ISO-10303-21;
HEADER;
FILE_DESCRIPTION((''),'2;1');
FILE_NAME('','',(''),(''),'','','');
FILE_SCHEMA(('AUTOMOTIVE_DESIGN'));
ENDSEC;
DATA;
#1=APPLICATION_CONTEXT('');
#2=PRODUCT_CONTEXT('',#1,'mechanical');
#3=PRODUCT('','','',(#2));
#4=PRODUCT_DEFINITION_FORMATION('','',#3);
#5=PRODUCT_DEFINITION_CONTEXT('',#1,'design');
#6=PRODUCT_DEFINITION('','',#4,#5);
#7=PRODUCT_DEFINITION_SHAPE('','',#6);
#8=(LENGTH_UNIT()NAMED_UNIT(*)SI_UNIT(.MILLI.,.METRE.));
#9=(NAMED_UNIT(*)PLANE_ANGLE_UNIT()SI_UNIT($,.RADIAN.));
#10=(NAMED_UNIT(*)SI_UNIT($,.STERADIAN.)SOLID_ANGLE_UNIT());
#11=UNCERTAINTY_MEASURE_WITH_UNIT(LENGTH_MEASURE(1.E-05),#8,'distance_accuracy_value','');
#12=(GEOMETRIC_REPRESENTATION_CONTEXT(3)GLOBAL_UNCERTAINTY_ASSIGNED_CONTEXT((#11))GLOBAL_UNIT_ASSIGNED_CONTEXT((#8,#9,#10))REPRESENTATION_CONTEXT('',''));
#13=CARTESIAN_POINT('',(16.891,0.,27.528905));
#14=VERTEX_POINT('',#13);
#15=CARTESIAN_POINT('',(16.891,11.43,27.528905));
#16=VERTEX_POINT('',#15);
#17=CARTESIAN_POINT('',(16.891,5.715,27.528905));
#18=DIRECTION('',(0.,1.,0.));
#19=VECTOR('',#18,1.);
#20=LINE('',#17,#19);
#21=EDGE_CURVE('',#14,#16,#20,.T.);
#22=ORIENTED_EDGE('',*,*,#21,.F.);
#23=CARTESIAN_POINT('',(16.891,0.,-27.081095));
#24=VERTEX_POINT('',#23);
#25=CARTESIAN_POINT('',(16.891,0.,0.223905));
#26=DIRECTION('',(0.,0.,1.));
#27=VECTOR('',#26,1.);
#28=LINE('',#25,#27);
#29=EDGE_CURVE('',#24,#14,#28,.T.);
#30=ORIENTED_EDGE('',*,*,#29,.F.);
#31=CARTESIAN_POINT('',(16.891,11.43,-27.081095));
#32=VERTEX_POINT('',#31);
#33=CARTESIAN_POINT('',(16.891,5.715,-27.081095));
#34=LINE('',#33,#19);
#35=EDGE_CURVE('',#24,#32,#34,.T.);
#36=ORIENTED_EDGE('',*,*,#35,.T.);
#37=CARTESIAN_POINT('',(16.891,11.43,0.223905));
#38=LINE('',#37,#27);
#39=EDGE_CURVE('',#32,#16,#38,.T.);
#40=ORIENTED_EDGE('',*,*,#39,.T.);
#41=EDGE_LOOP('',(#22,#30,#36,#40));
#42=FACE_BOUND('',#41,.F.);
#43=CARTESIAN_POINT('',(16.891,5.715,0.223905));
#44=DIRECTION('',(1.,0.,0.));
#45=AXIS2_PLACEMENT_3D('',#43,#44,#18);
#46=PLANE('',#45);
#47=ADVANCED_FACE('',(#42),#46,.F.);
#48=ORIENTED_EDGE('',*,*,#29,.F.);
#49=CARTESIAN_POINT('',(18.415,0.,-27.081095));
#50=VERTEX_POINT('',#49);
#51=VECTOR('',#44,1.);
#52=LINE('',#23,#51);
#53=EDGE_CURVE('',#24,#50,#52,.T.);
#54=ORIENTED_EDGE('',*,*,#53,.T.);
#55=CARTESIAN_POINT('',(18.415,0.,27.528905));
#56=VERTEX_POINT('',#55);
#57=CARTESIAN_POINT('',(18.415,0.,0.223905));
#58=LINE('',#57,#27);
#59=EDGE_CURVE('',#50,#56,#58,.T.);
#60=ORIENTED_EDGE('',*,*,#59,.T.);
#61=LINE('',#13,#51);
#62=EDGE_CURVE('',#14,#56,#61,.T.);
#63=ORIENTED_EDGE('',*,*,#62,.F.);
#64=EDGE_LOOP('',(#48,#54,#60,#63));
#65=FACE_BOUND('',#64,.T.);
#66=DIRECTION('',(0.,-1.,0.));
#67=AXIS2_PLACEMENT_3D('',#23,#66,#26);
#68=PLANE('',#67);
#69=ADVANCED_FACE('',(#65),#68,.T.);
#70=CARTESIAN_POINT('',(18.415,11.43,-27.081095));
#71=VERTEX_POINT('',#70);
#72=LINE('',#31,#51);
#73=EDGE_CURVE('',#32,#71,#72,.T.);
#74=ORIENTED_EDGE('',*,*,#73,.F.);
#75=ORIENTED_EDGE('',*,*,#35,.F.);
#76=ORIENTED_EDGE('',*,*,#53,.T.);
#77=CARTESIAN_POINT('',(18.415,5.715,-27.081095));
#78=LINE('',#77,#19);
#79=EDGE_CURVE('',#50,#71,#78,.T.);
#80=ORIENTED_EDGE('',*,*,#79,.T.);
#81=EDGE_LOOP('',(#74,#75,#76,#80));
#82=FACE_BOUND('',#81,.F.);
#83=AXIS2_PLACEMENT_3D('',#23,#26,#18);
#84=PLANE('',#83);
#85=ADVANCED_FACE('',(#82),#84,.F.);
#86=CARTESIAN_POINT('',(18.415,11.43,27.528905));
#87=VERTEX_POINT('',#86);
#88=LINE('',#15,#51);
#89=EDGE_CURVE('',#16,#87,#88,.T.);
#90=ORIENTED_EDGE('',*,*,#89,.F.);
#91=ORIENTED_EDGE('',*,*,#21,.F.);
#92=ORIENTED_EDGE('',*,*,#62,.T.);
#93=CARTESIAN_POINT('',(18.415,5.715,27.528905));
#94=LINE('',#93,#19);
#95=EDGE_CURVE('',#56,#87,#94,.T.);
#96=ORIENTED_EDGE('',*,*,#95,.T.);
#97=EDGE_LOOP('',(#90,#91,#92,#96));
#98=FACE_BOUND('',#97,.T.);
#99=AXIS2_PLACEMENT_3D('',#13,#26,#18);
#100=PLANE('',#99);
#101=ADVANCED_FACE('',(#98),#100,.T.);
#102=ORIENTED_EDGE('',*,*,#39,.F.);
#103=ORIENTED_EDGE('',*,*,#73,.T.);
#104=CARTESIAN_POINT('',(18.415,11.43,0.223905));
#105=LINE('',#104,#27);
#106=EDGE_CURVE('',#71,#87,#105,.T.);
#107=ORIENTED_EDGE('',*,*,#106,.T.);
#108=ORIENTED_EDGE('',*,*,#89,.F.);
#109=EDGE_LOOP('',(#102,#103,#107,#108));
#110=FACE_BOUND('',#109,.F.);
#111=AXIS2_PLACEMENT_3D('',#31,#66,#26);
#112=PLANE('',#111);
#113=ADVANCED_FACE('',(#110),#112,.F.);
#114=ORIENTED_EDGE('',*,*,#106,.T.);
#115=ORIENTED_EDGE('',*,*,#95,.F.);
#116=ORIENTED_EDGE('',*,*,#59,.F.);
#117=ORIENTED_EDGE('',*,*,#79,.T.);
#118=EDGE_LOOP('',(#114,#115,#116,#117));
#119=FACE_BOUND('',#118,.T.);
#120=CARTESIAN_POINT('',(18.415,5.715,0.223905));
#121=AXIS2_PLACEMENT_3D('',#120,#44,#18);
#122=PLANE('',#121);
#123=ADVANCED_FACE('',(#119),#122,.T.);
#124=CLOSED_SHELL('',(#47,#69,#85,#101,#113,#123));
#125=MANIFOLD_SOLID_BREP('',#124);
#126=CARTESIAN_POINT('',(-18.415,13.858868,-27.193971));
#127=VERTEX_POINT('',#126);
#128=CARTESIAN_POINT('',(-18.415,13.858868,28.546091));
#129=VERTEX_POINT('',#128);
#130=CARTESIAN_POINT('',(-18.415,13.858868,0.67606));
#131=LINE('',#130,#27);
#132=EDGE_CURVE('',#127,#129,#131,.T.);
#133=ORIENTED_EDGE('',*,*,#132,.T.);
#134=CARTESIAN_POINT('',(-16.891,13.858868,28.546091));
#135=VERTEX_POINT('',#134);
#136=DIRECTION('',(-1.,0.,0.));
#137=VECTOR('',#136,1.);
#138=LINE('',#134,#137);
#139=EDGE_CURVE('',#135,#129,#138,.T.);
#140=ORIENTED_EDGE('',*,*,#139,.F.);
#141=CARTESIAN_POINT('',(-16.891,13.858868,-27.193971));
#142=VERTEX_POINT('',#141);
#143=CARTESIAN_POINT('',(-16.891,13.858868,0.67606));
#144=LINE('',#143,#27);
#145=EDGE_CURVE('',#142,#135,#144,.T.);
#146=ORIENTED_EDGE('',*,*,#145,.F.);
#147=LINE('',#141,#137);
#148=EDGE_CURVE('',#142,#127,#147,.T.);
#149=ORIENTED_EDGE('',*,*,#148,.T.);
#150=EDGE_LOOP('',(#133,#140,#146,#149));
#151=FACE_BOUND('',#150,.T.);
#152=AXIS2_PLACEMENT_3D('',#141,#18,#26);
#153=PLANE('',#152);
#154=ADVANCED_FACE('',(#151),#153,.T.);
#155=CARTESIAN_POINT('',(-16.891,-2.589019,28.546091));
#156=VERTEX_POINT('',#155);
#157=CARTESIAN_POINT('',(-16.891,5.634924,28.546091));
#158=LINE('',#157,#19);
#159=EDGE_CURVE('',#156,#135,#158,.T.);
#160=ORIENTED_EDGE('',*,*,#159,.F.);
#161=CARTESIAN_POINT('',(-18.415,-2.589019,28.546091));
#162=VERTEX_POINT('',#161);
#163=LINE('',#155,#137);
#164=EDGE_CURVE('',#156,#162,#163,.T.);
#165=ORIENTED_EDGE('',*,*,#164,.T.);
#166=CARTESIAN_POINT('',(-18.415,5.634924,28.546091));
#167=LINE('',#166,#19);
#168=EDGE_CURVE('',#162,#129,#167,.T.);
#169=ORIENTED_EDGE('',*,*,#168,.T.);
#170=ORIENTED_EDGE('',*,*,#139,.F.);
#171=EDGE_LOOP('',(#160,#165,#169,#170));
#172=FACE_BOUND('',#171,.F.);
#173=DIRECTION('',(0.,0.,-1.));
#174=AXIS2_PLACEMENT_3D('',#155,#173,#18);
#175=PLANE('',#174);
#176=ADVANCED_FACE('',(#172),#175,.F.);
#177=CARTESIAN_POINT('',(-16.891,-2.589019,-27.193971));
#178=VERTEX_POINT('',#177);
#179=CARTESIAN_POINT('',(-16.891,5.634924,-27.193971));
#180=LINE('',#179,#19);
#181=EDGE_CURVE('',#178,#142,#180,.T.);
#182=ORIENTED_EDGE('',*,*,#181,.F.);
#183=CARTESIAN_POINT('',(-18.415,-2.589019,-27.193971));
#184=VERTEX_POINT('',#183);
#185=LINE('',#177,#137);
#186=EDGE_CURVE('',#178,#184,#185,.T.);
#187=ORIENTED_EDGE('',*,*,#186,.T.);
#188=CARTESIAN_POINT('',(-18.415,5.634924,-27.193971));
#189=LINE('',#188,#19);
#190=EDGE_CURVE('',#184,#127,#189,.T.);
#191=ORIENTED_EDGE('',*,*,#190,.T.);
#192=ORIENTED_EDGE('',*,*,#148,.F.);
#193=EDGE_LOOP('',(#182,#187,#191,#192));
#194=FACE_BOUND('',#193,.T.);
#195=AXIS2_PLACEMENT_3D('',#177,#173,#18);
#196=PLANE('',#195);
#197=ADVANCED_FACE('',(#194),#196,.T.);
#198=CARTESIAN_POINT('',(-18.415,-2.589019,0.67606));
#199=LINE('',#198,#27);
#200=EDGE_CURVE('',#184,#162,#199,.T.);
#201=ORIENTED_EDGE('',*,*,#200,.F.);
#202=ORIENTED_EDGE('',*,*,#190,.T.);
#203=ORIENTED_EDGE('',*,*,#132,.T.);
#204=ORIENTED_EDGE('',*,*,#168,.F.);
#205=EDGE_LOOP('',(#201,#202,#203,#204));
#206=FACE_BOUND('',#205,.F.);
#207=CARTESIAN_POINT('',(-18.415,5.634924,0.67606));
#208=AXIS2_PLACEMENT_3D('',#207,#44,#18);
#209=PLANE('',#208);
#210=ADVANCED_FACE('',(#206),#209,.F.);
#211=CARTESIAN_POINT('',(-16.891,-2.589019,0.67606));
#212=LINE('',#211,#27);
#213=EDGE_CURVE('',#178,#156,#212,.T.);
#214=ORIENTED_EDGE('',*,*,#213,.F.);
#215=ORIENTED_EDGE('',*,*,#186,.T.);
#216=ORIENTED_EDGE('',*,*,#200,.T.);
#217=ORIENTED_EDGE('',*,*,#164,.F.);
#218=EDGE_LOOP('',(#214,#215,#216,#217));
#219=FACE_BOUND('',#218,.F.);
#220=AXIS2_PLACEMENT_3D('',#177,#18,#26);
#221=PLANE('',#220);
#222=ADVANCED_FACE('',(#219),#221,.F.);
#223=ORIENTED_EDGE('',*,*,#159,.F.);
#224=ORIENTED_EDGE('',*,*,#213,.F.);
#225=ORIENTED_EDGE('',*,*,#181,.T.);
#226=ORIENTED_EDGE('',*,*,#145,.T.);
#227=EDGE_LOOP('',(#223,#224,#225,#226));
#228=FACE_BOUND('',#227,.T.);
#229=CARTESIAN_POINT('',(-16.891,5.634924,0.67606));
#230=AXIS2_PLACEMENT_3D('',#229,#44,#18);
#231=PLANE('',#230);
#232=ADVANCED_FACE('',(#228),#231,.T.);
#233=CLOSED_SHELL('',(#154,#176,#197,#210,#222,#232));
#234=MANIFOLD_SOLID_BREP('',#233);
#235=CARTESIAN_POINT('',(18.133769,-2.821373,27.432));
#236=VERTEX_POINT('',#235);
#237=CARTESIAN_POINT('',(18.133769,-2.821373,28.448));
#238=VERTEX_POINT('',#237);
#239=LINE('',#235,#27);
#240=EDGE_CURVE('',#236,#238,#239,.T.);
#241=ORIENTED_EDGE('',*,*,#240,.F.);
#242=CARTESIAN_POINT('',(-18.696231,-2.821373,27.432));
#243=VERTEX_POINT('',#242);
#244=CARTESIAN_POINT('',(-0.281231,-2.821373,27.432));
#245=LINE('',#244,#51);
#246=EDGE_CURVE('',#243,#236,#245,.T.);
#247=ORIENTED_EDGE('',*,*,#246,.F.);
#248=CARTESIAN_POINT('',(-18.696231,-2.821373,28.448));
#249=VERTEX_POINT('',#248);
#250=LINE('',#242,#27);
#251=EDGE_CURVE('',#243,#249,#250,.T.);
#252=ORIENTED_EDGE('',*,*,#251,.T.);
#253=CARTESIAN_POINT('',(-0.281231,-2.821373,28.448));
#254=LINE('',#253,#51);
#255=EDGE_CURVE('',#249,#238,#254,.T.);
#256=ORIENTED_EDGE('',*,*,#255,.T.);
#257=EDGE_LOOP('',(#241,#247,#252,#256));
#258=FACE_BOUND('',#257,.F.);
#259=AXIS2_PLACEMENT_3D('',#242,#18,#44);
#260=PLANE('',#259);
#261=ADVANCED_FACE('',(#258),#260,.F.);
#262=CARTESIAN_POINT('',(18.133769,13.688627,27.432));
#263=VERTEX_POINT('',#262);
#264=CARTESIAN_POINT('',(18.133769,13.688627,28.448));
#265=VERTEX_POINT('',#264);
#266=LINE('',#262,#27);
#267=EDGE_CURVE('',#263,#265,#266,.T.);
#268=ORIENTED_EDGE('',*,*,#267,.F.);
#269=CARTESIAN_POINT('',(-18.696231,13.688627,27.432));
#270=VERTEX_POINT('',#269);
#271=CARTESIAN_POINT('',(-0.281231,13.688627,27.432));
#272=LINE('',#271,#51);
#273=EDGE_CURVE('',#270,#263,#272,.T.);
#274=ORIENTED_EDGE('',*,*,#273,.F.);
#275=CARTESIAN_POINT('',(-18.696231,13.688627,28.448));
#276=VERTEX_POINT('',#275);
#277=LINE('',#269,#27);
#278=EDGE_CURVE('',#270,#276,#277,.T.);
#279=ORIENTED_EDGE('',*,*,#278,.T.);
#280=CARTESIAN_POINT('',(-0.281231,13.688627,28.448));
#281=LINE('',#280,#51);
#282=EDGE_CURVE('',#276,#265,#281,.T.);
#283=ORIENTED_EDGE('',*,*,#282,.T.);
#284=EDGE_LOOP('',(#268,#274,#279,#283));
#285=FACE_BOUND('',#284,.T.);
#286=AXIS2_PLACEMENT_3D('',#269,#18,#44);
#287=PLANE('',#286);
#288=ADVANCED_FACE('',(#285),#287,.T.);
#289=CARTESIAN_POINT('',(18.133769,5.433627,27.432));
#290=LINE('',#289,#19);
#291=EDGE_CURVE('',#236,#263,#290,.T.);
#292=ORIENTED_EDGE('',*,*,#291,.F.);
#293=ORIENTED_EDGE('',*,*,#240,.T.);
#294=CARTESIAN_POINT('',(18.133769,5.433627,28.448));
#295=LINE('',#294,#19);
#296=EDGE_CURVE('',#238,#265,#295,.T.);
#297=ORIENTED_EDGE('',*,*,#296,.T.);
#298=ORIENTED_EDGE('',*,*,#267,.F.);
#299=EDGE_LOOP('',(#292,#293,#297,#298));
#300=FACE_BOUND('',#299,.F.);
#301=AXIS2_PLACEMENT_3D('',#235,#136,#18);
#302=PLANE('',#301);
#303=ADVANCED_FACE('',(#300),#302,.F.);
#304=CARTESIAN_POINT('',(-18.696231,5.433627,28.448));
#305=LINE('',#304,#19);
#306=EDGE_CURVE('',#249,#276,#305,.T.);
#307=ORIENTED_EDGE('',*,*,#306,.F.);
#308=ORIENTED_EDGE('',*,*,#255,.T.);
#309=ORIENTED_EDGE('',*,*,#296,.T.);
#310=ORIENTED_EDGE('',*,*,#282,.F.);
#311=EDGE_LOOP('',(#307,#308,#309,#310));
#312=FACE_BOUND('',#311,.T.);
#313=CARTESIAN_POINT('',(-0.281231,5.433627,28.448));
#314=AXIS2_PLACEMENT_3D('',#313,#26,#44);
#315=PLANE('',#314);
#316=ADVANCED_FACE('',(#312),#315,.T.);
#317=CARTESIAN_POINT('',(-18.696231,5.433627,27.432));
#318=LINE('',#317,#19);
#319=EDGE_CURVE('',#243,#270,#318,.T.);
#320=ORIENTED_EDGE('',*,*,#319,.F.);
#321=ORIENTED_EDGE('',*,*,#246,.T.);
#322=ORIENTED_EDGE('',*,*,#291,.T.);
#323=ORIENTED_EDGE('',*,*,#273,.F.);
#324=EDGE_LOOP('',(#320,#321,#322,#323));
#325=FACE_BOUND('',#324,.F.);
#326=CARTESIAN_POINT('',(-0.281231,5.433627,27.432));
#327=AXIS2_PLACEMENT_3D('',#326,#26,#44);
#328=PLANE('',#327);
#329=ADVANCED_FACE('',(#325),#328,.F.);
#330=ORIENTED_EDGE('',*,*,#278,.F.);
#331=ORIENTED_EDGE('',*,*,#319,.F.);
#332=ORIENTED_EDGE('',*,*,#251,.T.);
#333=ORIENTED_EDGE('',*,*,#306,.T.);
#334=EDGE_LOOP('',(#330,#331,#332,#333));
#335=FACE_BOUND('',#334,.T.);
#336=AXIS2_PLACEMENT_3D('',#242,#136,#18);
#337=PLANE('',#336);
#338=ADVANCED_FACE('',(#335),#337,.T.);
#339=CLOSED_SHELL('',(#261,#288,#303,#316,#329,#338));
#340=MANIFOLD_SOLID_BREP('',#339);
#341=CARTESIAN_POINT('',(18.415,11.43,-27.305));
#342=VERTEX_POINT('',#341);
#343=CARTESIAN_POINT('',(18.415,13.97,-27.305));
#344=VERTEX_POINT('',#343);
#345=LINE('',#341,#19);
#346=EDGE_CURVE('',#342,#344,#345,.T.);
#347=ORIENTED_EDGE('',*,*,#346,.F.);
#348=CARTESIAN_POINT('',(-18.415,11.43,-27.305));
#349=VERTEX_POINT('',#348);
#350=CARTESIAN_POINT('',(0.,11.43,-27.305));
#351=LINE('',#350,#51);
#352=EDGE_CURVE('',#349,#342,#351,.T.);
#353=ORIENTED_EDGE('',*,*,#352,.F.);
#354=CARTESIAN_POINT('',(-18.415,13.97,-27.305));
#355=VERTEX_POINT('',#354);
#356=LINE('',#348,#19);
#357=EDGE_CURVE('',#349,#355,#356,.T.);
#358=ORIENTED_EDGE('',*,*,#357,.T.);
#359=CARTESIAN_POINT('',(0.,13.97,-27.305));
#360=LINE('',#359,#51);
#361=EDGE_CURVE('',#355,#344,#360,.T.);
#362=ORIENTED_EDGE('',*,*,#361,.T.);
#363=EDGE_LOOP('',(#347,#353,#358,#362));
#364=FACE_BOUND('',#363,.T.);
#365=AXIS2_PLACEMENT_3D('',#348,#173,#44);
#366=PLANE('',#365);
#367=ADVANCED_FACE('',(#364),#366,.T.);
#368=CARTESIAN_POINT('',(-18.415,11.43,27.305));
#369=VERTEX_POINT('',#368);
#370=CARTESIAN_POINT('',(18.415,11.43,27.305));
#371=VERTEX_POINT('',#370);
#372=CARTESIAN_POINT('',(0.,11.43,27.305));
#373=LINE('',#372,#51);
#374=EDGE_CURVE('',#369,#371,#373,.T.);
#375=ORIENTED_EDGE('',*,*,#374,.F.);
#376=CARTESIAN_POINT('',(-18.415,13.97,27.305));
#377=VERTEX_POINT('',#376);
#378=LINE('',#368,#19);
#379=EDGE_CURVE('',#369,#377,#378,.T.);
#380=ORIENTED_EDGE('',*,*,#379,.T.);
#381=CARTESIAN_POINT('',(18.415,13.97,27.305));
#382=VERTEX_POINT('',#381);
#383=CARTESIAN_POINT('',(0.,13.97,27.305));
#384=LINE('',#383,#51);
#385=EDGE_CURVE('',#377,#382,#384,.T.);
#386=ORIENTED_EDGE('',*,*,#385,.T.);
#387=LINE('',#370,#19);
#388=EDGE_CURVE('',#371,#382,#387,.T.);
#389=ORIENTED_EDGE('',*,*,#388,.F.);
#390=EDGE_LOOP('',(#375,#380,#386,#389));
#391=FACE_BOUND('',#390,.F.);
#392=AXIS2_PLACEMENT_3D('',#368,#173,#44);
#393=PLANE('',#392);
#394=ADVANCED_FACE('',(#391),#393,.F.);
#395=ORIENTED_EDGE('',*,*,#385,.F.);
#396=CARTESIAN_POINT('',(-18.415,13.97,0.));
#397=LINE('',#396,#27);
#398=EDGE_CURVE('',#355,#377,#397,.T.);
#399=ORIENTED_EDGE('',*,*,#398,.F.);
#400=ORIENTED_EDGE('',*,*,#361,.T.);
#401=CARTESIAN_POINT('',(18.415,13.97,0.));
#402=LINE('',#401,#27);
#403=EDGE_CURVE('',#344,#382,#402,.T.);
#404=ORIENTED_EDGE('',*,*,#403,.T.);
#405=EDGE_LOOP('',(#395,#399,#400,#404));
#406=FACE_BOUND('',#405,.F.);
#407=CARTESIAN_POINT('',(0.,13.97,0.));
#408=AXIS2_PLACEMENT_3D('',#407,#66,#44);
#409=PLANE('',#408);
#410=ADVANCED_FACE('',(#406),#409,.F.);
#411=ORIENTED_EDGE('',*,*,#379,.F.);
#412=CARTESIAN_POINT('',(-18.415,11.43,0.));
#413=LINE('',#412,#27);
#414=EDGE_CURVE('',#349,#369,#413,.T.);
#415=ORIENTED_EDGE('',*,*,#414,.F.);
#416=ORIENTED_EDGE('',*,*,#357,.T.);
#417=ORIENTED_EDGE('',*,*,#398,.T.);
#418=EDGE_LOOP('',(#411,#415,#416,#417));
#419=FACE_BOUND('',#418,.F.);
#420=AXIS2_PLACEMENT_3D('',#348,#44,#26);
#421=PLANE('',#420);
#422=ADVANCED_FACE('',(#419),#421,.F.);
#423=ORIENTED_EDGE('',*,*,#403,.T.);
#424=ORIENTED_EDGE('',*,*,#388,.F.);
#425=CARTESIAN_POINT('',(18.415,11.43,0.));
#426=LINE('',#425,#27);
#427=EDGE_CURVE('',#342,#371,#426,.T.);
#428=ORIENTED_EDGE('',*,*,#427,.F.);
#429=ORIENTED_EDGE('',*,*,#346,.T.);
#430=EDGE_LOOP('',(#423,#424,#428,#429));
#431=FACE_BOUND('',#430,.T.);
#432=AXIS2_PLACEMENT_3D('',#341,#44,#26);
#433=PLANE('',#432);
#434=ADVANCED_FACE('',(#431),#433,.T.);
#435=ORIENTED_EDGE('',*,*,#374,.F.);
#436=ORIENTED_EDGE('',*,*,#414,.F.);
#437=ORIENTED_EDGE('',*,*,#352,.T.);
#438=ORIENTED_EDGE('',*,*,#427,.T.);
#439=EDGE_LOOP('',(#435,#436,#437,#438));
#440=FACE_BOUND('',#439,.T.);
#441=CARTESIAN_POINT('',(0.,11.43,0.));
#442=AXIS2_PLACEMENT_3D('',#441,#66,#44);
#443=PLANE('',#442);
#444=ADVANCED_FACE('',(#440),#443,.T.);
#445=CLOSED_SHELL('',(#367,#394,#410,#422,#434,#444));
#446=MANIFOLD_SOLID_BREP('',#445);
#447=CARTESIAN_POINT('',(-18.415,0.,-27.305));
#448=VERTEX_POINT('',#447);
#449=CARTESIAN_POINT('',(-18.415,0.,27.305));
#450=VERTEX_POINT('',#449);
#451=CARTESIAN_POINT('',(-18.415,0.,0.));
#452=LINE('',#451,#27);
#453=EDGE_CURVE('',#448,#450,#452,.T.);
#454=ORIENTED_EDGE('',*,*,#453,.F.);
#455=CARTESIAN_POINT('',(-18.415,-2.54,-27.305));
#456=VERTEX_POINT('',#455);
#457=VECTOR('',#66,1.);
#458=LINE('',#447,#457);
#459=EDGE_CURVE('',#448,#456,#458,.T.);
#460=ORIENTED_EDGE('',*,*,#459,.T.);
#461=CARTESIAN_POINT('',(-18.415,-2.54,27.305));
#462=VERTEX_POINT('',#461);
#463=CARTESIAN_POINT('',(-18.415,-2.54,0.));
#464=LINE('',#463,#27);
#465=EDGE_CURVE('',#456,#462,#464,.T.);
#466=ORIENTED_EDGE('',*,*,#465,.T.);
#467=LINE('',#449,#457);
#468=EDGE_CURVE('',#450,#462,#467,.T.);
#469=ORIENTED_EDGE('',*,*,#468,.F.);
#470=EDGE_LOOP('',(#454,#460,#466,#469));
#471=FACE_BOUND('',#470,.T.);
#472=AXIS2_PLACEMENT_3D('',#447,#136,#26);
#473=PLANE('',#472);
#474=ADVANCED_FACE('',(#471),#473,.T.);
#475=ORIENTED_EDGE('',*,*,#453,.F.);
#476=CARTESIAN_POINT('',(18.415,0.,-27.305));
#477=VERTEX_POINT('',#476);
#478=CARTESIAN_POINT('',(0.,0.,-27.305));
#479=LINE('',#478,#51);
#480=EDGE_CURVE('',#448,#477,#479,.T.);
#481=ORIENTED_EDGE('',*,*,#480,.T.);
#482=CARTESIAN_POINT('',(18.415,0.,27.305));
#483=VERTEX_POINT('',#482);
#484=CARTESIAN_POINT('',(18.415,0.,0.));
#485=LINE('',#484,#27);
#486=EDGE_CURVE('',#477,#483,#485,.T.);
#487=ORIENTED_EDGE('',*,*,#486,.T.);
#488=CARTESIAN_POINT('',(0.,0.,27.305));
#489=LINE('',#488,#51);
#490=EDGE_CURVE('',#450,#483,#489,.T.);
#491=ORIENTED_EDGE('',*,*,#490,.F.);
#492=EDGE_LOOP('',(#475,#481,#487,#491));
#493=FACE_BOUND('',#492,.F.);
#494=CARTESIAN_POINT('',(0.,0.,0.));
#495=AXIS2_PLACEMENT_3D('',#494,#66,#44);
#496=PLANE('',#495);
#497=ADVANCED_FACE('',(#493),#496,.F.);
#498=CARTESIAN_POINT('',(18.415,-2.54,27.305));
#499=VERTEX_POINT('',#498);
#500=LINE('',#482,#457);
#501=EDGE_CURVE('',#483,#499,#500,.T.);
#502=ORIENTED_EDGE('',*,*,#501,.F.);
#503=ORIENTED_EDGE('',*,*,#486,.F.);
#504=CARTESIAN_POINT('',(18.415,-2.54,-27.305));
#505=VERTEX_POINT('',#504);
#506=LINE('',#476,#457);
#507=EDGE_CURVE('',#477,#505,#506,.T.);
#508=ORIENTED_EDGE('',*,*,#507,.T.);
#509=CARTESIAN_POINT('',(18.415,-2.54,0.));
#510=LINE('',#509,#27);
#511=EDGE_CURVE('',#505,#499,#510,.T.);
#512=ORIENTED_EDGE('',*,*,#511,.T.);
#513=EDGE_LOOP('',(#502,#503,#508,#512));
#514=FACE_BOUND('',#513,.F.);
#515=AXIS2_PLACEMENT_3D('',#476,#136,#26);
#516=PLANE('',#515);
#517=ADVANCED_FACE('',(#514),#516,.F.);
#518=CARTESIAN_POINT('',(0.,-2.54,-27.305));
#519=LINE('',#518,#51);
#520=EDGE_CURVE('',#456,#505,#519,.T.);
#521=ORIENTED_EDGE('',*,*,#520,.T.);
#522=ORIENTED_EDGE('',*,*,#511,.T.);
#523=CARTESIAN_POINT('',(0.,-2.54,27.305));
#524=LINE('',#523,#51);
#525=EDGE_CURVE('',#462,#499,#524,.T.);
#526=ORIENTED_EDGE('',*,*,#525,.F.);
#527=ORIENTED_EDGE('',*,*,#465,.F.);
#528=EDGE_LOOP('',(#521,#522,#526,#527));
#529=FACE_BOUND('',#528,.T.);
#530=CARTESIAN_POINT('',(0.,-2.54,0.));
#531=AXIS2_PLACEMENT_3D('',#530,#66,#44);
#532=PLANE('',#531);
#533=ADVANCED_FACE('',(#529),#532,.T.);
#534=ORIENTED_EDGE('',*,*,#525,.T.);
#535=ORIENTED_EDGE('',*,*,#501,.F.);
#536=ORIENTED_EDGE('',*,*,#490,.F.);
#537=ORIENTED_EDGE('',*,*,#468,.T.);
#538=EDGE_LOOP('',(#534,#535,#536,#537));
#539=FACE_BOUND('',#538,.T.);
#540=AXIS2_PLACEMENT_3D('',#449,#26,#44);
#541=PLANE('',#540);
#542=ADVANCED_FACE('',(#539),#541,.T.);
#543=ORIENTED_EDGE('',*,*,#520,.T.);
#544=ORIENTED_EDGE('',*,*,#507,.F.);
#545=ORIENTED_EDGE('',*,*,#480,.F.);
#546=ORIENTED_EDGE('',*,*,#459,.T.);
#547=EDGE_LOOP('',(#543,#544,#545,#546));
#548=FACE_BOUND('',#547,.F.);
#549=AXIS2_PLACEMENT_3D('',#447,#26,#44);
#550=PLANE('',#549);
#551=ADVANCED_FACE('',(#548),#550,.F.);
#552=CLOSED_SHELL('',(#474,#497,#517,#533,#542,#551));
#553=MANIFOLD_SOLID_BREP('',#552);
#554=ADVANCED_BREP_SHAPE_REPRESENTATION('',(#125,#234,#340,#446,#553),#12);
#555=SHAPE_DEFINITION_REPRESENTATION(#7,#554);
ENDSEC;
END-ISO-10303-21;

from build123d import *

# Parameters (mm, degrees)
F0_W     = 36.83
F0_H     = 54.61
F3_DEPTH = 2.54
F4_START = -11.43
F2_W     = 36.83
F2_H     = 54.61
F4_DEPTH = 2.54
F5_START = 16.891
F1_W     = 11.43
F1_H     = 54.61
F5_DEPTH = 1.524
F7_START = 27.432
F6_W     = 36.83
F6_H     = 16.51
F7_DEPTH = 1.016
F9_START = -16.891
F8_W     = 16.4478868246
F8_H     = 55.7400621474
F9_DEPTH = 1.524


with BuildPart() as f3:
    # F0 (on Front) → F3 (new body)
    with BuildSketch(Plane.XZ):
        Rectangle(F0_W, F0_H)
    extrude(amount=F3_DEPTH)


with BuildPart() as f4:
    # F2 (on Front) → F4 (new body)
    with BuildSketch(Plane.XZ.offset(F4_START)):
        Rectangle(F2_W, F2_H)
    extrude(amount=-F4_DEPTH)


with BuildPart() as f5:
    # F1 (on Right) → F5 (new body)
    with BuildSketch(Plane.YZ.offset(F5_START)):
        with Locations((5.715, 0.2239052389)):
            Rectangle(F1_W, F1_H)
    extrude(amount=F5_DEPTH)


with BuildPart() as f7:
    # F6 (on Top) → F7 (new body)
    with BuildSketch(Plane.XY.offset(F7_START)):
        with Locations((-0.2812305465, 5.4336267127)):
            Rectangle(F6_W, F6_H)
    extrude(amount=F7_DEPTH)


with BuildPart() as f9:
    # F8 (on Right) → F9 (new body)
    with BuildSketch(Plane.YZ.offset(F9_START)):
        with Locations((5.6349243969, 0.6760600954)):
            Rectangle(F8_W, F8_H)
    extrude(amount=-F9_DEPTH)


solid = Compound([f3.part, f4.part, f5.part, f7.part, f9.part])
